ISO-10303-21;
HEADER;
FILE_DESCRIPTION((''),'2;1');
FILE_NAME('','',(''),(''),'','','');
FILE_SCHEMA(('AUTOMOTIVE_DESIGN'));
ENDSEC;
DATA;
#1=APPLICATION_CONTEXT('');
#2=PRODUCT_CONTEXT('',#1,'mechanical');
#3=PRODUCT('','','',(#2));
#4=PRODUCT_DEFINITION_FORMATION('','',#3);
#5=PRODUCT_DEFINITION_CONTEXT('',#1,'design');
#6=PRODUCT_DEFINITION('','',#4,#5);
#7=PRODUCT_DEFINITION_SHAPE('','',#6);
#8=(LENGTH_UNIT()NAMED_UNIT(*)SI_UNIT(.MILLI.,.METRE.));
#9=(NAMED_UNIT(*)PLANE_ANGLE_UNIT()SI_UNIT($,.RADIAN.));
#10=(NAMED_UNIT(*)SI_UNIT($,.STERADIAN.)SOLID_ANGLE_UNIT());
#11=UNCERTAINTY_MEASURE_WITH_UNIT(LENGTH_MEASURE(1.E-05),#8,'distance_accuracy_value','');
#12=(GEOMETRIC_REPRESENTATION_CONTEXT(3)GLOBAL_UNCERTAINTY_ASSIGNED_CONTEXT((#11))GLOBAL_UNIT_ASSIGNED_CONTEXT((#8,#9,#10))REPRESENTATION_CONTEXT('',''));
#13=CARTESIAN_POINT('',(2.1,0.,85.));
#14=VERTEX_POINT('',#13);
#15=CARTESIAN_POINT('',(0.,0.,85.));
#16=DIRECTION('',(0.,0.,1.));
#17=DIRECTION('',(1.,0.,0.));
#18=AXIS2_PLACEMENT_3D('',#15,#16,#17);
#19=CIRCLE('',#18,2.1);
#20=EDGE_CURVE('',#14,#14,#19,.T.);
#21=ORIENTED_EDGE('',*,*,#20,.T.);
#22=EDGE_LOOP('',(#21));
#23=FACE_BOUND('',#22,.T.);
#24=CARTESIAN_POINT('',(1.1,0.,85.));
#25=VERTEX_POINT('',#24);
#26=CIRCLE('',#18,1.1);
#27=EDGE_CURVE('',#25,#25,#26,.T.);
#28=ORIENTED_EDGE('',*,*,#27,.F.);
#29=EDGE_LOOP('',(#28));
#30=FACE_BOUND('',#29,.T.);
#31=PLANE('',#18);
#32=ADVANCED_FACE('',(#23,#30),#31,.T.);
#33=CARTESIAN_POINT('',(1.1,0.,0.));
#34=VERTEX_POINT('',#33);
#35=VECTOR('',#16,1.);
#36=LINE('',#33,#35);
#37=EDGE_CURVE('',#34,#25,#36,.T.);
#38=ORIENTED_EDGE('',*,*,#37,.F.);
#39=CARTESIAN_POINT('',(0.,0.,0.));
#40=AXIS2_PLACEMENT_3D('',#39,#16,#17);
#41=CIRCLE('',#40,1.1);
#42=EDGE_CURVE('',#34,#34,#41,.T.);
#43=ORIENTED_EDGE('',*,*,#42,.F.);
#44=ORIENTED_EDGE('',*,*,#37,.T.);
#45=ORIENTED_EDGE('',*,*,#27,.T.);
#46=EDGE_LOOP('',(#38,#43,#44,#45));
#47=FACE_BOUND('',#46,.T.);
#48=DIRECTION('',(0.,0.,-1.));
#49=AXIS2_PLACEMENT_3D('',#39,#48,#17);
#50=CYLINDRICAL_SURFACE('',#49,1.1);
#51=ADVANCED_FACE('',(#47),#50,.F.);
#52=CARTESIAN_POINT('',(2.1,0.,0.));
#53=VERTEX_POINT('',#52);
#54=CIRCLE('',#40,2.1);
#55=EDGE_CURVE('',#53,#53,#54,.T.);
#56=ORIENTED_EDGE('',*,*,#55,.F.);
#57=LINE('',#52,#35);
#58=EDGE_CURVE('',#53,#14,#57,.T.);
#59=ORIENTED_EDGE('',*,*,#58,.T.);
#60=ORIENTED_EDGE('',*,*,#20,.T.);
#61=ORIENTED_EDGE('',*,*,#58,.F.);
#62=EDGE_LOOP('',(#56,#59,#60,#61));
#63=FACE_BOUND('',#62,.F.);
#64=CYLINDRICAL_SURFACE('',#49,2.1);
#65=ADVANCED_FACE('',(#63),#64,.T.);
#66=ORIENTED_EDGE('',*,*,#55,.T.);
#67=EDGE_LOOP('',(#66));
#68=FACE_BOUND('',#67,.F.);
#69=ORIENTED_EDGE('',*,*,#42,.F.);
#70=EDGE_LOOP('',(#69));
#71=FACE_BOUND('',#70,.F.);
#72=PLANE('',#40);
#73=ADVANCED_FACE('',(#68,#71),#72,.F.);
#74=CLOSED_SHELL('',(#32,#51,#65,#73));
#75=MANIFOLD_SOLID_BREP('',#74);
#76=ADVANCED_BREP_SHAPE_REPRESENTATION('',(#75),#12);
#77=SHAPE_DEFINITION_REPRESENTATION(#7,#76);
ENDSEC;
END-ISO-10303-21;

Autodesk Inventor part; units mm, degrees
ref_plane "YZ Plane" through (0, 0, 0) normal (1, 0, 0) x (0, 1, 0)
ref_plane "XZ Plane" through (0, 0, 0) normal (0, 1, 0) x (-1, 0, 0)
ref_plane "XY Plane" through (0, 0, 0) normal (0, 0, 1) x (1, 0, 0)
sketch "Szkic1" plane through (0, 0, 0) normal (0, 0, 1) x (1, 0, 0)
  circle A0 centre (0, 0) radius 2.1
  circle A1 centre (0, 0) radius 1.1
  dimension "d0" = 4.2
  dimension "d1" = 1
extrude "Wyciągnięcie proste1" add sketch "Szkic1" along normal blind 85
properties part number "CUT_PTFE_Tube_85mm"
